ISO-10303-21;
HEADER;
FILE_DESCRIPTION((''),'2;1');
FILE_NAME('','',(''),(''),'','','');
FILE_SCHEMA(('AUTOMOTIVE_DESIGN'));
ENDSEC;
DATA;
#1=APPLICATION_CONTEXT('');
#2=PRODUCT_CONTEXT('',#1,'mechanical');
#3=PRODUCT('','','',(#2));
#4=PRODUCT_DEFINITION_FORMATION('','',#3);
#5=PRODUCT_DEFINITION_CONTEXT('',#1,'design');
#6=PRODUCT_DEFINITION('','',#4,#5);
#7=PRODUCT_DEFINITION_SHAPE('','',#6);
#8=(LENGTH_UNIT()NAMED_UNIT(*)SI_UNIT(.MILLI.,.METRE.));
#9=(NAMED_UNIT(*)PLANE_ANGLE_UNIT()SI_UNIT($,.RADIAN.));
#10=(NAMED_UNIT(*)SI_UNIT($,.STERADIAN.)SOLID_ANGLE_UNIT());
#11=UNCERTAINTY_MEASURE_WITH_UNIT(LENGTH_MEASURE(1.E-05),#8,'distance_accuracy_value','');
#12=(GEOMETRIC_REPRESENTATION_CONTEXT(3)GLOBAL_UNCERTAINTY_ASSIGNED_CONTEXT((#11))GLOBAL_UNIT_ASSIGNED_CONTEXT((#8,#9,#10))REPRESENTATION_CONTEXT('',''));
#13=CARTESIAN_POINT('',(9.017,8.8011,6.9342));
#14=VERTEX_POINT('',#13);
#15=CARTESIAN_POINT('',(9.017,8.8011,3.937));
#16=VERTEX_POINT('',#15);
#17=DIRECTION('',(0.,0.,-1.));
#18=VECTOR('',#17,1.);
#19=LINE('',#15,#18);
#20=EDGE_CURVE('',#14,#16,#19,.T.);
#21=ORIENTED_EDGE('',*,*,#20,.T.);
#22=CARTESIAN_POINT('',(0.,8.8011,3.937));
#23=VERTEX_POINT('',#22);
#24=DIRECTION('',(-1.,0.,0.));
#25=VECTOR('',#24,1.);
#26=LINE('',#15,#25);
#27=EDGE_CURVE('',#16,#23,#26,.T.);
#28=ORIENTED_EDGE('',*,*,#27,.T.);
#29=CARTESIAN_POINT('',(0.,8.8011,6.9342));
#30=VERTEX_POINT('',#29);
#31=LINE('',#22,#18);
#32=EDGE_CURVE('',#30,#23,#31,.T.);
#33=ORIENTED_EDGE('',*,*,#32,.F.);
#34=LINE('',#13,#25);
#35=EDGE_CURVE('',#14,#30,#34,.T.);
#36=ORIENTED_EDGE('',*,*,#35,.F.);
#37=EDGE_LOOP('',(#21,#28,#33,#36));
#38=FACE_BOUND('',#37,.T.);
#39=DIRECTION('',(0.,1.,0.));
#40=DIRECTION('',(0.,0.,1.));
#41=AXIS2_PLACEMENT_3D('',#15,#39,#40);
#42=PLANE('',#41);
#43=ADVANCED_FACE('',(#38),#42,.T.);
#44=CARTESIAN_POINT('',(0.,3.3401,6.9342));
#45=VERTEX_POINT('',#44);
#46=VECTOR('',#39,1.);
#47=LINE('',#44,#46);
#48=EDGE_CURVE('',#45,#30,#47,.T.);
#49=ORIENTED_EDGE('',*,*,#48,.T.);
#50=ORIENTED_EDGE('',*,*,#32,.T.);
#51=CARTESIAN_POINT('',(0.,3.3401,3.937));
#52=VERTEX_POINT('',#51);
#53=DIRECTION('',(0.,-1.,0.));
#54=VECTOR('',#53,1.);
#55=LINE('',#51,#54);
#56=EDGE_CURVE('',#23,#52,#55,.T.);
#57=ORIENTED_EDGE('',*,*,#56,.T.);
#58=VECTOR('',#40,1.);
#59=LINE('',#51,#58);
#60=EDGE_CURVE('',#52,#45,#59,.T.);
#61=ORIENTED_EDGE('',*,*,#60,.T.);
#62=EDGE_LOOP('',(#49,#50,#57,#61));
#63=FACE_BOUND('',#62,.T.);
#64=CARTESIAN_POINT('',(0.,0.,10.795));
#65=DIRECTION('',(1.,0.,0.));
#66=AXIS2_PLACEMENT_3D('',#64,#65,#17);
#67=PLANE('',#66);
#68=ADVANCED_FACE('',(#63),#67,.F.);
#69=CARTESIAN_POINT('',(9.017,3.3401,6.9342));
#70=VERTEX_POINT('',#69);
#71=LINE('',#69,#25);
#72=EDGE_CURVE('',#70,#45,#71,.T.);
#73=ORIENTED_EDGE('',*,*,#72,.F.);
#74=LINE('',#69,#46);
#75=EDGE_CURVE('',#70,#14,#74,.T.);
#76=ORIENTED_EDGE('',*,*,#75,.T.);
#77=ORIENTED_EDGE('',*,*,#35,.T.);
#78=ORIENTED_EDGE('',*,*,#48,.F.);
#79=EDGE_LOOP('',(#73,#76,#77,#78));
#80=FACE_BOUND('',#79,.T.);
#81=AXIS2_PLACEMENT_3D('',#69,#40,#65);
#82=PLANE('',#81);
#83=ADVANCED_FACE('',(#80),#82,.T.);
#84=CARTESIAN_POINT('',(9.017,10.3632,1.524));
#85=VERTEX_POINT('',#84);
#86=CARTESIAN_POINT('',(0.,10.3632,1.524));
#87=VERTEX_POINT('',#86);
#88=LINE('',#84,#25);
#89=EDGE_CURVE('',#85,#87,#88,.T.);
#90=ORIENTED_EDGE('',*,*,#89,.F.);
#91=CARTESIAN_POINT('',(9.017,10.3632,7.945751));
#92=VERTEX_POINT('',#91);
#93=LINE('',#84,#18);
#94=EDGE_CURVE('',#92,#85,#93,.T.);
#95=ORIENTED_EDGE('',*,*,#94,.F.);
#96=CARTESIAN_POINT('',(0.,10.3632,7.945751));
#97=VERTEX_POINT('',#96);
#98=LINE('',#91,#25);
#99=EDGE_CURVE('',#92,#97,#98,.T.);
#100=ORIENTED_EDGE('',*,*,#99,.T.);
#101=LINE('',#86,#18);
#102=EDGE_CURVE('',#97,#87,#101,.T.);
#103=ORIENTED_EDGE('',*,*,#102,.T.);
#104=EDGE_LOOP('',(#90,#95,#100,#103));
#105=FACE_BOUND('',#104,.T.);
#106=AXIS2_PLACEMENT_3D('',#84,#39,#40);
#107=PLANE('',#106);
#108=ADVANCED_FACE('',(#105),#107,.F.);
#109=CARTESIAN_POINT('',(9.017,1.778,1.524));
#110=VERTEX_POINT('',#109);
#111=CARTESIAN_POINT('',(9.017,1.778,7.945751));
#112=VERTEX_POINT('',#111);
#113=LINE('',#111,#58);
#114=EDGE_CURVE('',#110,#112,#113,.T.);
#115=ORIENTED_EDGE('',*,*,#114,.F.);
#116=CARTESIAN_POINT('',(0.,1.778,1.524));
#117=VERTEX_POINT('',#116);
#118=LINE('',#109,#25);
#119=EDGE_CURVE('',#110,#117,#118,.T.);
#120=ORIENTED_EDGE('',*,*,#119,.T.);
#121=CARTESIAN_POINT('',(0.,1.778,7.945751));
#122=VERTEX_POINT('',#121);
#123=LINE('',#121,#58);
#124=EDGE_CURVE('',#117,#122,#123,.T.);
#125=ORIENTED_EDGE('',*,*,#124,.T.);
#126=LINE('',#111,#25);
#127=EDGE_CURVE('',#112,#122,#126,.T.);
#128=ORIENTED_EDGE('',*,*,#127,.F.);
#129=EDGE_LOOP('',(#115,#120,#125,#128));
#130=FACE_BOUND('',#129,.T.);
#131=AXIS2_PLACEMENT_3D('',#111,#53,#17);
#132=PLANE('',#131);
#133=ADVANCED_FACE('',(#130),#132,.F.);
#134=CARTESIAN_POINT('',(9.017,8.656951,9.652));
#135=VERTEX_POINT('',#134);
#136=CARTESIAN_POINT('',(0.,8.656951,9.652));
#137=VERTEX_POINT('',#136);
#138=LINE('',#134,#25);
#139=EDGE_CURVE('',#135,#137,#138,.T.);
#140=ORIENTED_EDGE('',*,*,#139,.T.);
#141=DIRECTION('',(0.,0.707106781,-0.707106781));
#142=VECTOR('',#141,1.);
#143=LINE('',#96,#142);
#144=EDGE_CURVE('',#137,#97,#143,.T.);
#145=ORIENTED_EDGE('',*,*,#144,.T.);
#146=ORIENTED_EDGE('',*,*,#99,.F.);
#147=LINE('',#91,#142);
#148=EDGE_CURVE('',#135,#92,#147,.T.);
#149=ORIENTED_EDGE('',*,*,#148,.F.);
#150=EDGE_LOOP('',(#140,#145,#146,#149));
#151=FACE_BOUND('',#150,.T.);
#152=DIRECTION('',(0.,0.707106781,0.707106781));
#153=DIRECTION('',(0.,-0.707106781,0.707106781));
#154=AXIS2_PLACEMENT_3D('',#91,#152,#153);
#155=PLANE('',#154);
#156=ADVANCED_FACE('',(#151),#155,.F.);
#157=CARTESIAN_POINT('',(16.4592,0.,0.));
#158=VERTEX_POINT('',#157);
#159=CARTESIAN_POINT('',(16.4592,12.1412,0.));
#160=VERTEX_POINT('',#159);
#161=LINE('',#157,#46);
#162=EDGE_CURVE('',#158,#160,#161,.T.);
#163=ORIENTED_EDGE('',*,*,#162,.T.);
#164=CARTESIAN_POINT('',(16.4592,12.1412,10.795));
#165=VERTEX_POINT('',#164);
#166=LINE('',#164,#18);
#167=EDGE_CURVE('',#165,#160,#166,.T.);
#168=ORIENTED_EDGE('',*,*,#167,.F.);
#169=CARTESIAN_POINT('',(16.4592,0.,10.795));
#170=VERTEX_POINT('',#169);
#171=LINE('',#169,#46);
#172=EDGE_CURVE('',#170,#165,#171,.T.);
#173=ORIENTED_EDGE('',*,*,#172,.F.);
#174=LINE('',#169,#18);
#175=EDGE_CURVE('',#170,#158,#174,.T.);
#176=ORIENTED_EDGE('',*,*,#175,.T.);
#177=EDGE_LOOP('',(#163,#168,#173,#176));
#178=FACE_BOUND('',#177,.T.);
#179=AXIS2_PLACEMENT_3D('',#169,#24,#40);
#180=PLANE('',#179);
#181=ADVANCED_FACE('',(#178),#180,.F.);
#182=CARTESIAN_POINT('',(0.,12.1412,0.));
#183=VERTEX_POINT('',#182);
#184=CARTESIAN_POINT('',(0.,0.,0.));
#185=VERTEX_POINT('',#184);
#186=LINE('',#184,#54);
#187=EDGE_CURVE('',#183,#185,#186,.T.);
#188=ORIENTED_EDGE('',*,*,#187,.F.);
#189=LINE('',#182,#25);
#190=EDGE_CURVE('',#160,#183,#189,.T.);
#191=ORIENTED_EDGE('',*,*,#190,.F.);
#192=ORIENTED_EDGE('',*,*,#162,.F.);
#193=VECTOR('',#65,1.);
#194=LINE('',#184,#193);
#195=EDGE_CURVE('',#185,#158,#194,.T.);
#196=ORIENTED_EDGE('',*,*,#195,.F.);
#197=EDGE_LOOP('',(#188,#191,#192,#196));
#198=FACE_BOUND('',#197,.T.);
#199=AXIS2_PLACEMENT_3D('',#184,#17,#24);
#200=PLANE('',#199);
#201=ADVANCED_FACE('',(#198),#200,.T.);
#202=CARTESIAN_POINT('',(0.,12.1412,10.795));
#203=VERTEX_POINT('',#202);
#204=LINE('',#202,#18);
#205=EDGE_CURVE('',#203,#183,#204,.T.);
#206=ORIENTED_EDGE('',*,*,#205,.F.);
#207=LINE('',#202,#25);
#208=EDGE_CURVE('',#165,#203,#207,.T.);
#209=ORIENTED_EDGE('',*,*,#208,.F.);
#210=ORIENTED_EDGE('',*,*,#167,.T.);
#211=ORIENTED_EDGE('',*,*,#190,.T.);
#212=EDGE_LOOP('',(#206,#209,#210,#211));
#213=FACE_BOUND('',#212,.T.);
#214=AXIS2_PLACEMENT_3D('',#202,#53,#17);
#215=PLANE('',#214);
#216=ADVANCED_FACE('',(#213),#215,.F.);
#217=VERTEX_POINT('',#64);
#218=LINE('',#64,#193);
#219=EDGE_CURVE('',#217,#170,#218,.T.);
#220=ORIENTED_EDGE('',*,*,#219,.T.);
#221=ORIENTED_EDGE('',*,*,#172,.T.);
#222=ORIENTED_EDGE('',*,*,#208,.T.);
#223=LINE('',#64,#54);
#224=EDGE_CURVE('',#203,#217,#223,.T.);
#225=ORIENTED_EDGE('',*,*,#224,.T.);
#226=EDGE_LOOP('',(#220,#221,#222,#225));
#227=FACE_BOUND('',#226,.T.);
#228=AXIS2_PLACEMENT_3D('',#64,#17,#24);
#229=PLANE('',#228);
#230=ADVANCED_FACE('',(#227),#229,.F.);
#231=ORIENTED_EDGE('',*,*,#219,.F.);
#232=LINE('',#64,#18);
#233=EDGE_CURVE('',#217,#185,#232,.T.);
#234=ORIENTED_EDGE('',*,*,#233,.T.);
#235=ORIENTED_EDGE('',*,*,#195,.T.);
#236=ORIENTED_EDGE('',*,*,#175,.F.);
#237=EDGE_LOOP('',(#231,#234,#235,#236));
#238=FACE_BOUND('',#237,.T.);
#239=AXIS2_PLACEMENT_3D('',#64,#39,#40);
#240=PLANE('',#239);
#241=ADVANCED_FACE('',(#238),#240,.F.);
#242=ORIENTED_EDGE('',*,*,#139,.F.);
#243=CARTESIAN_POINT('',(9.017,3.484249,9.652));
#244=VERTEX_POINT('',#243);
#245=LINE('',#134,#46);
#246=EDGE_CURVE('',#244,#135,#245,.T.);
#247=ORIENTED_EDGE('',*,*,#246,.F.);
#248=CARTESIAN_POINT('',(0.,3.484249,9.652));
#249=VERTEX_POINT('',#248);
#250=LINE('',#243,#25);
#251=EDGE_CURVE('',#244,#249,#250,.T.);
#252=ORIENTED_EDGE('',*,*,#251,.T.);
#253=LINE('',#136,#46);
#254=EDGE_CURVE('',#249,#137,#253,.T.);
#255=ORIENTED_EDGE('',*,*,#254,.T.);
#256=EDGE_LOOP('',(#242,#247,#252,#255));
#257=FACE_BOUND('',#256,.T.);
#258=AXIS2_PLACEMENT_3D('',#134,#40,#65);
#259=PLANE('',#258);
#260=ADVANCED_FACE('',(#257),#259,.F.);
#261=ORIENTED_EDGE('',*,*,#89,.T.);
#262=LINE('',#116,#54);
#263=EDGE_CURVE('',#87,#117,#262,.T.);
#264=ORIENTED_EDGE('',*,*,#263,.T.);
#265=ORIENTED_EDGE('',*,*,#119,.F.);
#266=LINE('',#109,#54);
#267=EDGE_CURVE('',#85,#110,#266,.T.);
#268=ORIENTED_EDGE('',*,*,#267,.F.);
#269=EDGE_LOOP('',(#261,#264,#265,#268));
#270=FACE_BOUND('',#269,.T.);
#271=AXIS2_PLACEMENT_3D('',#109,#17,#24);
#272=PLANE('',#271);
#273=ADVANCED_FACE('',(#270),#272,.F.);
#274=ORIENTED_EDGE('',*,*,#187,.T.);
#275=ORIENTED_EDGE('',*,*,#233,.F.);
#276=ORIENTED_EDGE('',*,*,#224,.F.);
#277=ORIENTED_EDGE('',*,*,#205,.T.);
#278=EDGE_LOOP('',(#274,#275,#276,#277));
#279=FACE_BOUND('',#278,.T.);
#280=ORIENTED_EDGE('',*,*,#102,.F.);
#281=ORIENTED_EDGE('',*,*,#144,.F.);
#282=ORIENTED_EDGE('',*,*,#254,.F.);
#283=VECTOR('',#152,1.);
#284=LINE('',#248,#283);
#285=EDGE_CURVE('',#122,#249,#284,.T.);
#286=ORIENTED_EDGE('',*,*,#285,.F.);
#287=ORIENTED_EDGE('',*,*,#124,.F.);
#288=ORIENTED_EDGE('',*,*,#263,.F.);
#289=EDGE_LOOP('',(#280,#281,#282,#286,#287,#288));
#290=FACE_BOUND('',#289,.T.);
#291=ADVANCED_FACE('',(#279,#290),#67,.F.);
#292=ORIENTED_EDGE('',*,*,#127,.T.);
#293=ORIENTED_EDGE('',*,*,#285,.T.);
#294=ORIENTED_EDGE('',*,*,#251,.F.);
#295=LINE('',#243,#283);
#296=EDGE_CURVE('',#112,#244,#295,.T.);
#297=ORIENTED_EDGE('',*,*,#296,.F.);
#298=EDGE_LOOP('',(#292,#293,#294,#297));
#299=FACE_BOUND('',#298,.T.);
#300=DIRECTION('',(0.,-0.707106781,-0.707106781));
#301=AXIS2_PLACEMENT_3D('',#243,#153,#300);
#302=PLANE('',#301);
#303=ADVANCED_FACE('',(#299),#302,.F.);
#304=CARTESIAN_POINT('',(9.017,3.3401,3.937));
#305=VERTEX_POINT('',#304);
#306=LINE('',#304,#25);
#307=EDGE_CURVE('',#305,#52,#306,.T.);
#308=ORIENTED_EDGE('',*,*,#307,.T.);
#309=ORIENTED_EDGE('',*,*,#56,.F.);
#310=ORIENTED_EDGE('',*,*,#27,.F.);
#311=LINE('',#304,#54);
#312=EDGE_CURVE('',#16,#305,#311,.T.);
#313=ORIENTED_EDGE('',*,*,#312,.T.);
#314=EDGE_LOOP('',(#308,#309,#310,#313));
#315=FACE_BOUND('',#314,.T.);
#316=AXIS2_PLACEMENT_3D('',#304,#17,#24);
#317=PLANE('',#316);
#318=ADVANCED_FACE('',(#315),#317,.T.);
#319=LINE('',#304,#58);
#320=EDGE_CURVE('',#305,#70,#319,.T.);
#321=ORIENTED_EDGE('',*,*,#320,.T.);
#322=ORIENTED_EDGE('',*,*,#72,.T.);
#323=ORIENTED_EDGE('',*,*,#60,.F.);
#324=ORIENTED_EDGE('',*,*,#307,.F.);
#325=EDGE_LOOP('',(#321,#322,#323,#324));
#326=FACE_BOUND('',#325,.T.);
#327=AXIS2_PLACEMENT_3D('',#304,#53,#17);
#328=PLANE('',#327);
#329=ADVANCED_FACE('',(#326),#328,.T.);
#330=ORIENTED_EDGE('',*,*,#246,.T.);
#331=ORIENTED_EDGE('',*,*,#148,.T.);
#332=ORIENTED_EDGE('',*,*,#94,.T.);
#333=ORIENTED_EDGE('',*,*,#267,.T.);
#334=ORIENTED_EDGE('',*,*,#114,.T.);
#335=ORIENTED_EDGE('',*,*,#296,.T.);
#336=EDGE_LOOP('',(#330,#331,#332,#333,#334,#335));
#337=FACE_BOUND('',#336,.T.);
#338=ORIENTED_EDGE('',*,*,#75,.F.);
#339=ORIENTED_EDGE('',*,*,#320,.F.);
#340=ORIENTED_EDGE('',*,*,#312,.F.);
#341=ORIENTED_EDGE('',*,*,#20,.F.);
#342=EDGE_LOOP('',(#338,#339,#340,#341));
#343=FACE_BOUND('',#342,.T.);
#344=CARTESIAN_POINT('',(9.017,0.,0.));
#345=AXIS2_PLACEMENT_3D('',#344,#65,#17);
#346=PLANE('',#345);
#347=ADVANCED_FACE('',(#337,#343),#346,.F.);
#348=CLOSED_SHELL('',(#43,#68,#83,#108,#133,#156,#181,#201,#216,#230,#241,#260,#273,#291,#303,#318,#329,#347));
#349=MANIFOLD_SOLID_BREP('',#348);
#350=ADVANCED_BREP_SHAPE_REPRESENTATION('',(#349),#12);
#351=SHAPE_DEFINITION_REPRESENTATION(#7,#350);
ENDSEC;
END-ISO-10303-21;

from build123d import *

# Parameters (mm, degrees)
SKETCH1_W           = 16.4592
SKETCH1_H           = 12.1412
BOSS_EXTRUDE1_DEPTH = 10.795
SKETCH2_W           = 2.9972
SKETCH2_H           = 5.461
CUT_EXTRUDE1_DEPTH  = 9.017


with BuildPart() as part:
    # Sketch1 → Boss-Extrude1 (new body)
    with BuildSketch(Plane.XY):
        with Locations((8.2296, 6.0706)):
            Rectangle(SKETCH1_W, SKETCH1_H)
    extrude(amount=BOSS_EXTRUDE1_DEPTH)

    # Sketch2 → Cut-Extrude1 (cut)
    with BuildSketch(Plane.ZY):
        Polygon((1.524, 1.778), (1.524, 10.3632), (7.945751337, 10.3632), (9.652, 8.656951337), (9.652, 3.484248663), (7.945751337, 1.778), align=None)
        with Locations((5.4356, 6.0706)):
            Rectangle(SKETCH2_W, SKETCH2_H, mode=Mode.SUBTRACT)
    extrude(amount=-CUT_EXTRUDE1_DEPTH, mode=Mode.SUBTRACT)


solid = part.part
